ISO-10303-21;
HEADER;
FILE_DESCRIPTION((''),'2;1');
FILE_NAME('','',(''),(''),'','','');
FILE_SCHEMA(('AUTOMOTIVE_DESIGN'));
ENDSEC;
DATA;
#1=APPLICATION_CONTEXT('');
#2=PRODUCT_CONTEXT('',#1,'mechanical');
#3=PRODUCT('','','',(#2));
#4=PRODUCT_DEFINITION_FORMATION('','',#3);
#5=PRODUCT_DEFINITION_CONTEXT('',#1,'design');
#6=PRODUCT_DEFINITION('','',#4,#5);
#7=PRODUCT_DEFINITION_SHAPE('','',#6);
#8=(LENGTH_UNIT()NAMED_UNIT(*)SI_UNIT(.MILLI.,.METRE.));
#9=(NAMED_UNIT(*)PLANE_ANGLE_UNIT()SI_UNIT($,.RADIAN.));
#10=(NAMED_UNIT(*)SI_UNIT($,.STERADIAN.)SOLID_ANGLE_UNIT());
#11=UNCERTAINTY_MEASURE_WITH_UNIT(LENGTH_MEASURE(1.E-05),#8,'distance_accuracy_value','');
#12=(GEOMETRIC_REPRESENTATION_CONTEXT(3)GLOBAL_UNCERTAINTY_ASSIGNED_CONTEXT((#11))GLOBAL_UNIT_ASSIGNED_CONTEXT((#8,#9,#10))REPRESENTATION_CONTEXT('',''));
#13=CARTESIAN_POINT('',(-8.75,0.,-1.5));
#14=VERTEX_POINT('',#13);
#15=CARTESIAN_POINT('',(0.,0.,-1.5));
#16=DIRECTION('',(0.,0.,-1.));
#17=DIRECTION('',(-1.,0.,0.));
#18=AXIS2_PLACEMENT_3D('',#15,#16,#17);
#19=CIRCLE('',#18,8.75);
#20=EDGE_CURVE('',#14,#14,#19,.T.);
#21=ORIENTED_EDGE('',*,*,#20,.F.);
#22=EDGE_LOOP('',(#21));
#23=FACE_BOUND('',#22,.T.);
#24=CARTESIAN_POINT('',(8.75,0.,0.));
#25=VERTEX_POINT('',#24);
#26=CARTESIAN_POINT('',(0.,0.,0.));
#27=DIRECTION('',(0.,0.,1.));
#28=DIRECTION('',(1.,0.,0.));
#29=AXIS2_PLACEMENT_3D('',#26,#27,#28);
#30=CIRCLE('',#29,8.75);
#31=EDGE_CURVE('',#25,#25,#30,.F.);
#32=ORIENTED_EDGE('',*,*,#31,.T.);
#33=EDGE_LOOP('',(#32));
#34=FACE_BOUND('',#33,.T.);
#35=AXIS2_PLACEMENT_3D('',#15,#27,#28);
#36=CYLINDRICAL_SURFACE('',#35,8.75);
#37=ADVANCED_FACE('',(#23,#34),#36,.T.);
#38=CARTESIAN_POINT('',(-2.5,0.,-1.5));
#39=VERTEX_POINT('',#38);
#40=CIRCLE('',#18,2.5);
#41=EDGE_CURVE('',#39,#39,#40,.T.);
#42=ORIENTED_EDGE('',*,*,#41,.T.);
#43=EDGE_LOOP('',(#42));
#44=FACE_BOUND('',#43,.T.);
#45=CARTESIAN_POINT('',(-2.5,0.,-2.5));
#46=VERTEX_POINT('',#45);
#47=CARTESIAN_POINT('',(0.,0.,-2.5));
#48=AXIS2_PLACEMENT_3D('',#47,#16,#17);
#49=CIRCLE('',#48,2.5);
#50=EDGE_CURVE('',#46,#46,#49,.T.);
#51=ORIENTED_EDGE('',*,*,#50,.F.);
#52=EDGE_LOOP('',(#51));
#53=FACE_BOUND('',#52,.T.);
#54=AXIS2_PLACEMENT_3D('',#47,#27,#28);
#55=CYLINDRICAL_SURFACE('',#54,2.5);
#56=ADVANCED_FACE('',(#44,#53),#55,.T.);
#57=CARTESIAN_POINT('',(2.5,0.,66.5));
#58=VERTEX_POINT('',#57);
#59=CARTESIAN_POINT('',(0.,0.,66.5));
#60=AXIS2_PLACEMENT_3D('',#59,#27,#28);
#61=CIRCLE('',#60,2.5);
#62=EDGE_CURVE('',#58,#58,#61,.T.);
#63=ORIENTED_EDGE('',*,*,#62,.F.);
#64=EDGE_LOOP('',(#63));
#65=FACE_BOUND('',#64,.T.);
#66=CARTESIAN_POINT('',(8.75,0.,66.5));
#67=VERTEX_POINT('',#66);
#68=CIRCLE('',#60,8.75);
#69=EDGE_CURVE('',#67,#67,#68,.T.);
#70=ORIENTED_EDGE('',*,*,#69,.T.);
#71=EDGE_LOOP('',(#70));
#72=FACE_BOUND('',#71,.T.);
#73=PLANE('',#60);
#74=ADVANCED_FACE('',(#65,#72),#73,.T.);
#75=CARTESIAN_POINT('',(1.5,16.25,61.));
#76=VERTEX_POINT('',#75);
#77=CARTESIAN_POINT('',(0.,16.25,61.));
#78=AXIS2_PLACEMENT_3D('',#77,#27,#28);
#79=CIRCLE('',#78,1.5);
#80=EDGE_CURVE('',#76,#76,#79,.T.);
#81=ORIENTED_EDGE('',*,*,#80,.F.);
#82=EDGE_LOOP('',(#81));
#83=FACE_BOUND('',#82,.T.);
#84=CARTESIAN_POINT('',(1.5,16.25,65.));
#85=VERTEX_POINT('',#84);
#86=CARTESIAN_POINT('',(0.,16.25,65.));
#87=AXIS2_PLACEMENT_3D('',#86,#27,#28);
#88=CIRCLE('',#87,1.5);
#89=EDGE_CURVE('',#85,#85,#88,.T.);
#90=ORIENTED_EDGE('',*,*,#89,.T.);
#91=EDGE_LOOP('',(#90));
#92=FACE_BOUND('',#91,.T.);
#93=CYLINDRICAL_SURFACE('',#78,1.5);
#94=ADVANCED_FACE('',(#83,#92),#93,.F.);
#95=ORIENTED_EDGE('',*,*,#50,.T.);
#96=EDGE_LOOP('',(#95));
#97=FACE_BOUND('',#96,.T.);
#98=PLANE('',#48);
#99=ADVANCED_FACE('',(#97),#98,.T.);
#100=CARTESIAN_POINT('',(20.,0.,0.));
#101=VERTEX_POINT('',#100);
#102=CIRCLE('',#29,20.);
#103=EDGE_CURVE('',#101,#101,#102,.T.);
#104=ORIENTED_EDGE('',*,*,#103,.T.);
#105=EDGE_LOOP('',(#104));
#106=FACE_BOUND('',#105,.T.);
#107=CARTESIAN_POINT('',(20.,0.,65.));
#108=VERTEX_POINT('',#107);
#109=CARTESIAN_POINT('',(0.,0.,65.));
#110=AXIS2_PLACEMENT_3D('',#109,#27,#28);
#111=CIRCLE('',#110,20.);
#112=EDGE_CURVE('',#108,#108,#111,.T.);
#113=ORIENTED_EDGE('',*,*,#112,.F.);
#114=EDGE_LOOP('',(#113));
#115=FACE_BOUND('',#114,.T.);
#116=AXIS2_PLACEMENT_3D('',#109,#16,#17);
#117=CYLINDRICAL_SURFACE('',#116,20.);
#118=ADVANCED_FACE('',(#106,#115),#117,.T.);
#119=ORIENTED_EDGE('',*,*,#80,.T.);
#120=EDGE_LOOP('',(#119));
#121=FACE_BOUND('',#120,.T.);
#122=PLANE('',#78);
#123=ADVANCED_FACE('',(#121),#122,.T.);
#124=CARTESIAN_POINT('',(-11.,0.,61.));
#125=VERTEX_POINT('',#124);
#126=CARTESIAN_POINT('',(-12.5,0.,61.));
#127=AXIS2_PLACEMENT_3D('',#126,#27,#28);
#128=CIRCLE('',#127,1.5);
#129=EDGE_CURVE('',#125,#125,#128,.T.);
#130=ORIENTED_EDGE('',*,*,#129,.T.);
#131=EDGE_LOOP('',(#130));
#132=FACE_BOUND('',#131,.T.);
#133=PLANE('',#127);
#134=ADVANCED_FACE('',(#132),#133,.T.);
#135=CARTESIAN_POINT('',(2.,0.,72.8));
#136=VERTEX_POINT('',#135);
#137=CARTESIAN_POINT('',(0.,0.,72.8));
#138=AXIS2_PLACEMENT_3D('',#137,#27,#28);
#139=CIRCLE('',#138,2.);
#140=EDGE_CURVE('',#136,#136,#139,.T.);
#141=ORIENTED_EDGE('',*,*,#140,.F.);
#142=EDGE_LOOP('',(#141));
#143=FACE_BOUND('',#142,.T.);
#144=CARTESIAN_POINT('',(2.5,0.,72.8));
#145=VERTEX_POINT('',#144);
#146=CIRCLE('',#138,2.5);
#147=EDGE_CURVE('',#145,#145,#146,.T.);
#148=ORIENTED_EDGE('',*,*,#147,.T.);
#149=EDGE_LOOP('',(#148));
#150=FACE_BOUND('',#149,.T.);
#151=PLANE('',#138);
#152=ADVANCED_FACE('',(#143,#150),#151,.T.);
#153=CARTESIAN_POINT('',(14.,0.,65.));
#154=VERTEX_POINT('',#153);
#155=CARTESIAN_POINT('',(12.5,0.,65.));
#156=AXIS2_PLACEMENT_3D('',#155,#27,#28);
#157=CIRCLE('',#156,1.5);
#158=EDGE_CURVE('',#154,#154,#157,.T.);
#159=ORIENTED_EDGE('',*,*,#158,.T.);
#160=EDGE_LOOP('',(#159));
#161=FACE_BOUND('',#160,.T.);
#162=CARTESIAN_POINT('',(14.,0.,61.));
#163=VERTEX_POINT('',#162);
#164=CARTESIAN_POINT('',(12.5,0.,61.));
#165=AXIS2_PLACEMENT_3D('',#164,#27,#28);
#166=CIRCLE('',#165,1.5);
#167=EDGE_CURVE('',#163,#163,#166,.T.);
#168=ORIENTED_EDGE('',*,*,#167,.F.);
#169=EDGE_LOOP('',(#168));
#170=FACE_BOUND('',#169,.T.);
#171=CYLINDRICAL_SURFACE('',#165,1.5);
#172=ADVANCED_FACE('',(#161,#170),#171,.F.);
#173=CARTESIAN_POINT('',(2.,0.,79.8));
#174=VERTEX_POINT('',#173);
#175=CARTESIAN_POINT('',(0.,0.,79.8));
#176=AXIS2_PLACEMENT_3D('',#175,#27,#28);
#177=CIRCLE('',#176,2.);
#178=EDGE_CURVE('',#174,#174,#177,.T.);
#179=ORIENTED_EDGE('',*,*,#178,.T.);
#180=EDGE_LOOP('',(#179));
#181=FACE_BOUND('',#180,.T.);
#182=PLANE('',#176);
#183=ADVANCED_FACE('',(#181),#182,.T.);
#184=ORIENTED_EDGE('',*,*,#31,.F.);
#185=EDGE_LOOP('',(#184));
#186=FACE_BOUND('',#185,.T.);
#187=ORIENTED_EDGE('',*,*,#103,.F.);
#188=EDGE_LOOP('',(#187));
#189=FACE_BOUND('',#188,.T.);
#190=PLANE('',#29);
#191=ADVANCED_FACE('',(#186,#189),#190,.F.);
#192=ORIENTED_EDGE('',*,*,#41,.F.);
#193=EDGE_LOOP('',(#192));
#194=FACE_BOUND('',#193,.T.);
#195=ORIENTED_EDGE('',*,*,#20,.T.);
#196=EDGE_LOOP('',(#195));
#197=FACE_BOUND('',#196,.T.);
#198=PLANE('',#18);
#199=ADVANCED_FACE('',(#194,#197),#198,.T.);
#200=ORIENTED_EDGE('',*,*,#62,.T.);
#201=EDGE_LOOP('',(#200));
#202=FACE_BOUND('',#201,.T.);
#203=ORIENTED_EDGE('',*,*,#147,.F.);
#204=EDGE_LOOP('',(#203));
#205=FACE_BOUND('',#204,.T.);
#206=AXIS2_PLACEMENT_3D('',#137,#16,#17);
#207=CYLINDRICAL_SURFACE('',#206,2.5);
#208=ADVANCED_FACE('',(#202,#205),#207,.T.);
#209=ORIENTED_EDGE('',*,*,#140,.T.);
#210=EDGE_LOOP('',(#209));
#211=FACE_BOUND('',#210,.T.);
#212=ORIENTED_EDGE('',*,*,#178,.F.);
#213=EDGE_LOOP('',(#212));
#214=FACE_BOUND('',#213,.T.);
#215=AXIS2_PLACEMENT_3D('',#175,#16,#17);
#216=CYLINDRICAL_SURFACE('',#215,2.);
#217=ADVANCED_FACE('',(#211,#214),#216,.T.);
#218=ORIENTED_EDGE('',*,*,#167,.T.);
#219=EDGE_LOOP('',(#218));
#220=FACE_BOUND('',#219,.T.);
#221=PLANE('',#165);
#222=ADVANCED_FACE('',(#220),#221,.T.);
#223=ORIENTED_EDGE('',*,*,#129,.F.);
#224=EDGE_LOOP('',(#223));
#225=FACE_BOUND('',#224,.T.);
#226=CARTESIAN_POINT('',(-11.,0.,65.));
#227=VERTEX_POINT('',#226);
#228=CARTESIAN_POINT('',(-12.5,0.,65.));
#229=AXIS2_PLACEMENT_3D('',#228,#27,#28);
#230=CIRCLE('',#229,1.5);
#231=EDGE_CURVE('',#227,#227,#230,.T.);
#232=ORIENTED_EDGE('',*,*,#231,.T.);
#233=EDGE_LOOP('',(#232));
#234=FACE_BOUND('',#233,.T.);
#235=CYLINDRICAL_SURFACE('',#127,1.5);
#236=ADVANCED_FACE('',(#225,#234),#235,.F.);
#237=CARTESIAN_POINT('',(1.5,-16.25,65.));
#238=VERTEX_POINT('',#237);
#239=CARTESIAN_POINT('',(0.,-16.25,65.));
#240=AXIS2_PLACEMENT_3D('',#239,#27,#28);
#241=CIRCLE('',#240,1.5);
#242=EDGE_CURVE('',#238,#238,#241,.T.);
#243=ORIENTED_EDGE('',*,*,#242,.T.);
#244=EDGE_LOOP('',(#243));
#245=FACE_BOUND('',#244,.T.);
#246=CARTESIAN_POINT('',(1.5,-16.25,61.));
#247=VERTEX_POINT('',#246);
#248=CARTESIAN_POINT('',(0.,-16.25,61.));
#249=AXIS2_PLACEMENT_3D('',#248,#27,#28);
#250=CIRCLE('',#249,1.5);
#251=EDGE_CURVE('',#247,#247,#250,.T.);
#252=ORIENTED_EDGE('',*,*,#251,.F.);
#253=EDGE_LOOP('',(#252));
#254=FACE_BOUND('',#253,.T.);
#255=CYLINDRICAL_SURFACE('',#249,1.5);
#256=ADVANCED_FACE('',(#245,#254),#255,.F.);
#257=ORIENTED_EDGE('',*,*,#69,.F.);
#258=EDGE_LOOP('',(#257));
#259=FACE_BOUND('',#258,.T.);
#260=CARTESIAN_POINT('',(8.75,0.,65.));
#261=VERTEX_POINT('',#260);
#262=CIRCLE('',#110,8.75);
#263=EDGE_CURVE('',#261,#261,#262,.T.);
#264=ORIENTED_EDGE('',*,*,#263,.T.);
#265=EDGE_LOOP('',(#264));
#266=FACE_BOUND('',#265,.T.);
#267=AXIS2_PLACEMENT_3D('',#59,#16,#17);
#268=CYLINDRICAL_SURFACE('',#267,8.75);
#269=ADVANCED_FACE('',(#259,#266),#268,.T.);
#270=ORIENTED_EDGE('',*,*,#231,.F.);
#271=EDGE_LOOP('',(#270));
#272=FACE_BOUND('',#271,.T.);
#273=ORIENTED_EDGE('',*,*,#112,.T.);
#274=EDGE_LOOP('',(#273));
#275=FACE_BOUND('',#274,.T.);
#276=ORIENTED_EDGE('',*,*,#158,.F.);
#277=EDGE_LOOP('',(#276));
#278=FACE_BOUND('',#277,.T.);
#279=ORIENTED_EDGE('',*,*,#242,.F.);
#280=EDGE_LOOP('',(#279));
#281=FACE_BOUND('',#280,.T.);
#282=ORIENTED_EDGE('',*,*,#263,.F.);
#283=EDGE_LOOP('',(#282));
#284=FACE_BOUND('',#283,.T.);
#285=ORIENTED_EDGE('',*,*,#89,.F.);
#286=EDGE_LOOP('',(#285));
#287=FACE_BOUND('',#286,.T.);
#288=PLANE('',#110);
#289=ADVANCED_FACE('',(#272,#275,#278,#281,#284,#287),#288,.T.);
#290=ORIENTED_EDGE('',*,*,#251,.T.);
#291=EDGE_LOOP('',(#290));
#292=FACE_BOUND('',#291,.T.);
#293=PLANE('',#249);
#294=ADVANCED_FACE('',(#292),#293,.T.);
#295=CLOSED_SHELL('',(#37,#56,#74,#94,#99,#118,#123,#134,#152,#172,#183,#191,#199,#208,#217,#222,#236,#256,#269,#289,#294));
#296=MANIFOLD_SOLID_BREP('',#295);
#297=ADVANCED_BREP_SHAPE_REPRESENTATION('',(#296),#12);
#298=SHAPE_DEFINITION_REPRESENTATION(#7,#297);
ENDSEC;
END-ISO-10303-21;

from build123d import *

# Parameters (mm, degrees)
SKETCH_3_R          = 20
EXTRUDE_1_DEPTH     = 65
SKETCH_4_R          = 8.75
EXTRUDE_2_DEPTH     = 1.5
SKETCH_6_R          = 8.75
EXTRUDE_3_DEPTH     = 1.5
SKETCH_7_R          = 2.5
EXTRUDE_4_DEPTH     = 6.3
SKETCH_8_R          = 2
EXTRUDE_5_DEPTH     = 7
SKETCH_10_R         = 2.5
EXTRUDE_6_DEPTH     = 1
SKETCH_11_R         = 1.5
CUT_EXTRUDE_1_DEPTH = 4
SKETCH_12_R         = 1.5
CUT_EXTRUDE_2_DEPTH = 4


with BuildPart() as part:
    # 草圖3 → 填料-伸長1 (new body)
    with BuildSketch(Plane.XY):
        Circle(SKETCH_3_R)
    extrude(amount=EXTRUDE_1_DEPTH)

    # 草圖4 → 填料-伸長2 (add)
    with BuildSketch(Plane(origin=(0, 0, 0), x_dir=(-1, 0, 0), z_dir=(0, 0, -1))):
        Circle(SKETCH_4_R)
    extrude(amount=EXTRUDE_2_DEPTH)

    # 草圖6 → 填料-伸長3 (add)
    with BuildSketch(Plane.XY.offset(65)):
        Circle(SKETCH_6_R)
    extrude(amount=EXTRUDE_3_DEPTH)

    # 草圖7 → 填料-伸長4 (add)
    with BuildSketch(Plane.XY.offset(66.5)):
        Circle(SKETCH_7_R)
    extrude(amount=EXTRUDE_4_DEPTH)

    # 草圖8 → 填料-伸長5 (add)
    with BuildSketch(Plane.XY.offset(72.8)):
        Circle(SKETCH_8_R)
    extrude(amount=EXTRUDE_5_DEPTH)

    # 草圖10 → 填料-伸長6 (add)
    with BuildSketch(Plane(origin=(0, 0, -1.5), x_dir=(-1, 0, 0), z_dir=(0, 0, -1))):
        Circle(SKETCH_10_R)
    extrude(amount=EXTRUDE_6_DEPTH)

    # 草圖11 → 除料-伸長1 (cut)
    with BuildSketch(Plane.XY.offset(65)):
        with Locations((-12.5, 0)):
            Circle(SKETCH_11_R)
        with Locations((12.5, 0)):
            Circle(SKETCH_11_R)
    extrude(amount=-CUT_EXTRUDE_1_DEPTH, mode=Mode.SUBTRACT)

    # 草圖12 → 除料-伸長2 (cut)
    with BuildSketch(Plane.XY.offset(65)):
        with Locations((0, 16.25)):
            Circle(SKETCH_12_R)
        with Locations((0, -16.25)):
            Circle(SKETCH_12_R)
    extrude(amount=-CUT_EXTRUDE_2_DEPTH, mode=Mode.SUBTRACT)


solid = part.part
